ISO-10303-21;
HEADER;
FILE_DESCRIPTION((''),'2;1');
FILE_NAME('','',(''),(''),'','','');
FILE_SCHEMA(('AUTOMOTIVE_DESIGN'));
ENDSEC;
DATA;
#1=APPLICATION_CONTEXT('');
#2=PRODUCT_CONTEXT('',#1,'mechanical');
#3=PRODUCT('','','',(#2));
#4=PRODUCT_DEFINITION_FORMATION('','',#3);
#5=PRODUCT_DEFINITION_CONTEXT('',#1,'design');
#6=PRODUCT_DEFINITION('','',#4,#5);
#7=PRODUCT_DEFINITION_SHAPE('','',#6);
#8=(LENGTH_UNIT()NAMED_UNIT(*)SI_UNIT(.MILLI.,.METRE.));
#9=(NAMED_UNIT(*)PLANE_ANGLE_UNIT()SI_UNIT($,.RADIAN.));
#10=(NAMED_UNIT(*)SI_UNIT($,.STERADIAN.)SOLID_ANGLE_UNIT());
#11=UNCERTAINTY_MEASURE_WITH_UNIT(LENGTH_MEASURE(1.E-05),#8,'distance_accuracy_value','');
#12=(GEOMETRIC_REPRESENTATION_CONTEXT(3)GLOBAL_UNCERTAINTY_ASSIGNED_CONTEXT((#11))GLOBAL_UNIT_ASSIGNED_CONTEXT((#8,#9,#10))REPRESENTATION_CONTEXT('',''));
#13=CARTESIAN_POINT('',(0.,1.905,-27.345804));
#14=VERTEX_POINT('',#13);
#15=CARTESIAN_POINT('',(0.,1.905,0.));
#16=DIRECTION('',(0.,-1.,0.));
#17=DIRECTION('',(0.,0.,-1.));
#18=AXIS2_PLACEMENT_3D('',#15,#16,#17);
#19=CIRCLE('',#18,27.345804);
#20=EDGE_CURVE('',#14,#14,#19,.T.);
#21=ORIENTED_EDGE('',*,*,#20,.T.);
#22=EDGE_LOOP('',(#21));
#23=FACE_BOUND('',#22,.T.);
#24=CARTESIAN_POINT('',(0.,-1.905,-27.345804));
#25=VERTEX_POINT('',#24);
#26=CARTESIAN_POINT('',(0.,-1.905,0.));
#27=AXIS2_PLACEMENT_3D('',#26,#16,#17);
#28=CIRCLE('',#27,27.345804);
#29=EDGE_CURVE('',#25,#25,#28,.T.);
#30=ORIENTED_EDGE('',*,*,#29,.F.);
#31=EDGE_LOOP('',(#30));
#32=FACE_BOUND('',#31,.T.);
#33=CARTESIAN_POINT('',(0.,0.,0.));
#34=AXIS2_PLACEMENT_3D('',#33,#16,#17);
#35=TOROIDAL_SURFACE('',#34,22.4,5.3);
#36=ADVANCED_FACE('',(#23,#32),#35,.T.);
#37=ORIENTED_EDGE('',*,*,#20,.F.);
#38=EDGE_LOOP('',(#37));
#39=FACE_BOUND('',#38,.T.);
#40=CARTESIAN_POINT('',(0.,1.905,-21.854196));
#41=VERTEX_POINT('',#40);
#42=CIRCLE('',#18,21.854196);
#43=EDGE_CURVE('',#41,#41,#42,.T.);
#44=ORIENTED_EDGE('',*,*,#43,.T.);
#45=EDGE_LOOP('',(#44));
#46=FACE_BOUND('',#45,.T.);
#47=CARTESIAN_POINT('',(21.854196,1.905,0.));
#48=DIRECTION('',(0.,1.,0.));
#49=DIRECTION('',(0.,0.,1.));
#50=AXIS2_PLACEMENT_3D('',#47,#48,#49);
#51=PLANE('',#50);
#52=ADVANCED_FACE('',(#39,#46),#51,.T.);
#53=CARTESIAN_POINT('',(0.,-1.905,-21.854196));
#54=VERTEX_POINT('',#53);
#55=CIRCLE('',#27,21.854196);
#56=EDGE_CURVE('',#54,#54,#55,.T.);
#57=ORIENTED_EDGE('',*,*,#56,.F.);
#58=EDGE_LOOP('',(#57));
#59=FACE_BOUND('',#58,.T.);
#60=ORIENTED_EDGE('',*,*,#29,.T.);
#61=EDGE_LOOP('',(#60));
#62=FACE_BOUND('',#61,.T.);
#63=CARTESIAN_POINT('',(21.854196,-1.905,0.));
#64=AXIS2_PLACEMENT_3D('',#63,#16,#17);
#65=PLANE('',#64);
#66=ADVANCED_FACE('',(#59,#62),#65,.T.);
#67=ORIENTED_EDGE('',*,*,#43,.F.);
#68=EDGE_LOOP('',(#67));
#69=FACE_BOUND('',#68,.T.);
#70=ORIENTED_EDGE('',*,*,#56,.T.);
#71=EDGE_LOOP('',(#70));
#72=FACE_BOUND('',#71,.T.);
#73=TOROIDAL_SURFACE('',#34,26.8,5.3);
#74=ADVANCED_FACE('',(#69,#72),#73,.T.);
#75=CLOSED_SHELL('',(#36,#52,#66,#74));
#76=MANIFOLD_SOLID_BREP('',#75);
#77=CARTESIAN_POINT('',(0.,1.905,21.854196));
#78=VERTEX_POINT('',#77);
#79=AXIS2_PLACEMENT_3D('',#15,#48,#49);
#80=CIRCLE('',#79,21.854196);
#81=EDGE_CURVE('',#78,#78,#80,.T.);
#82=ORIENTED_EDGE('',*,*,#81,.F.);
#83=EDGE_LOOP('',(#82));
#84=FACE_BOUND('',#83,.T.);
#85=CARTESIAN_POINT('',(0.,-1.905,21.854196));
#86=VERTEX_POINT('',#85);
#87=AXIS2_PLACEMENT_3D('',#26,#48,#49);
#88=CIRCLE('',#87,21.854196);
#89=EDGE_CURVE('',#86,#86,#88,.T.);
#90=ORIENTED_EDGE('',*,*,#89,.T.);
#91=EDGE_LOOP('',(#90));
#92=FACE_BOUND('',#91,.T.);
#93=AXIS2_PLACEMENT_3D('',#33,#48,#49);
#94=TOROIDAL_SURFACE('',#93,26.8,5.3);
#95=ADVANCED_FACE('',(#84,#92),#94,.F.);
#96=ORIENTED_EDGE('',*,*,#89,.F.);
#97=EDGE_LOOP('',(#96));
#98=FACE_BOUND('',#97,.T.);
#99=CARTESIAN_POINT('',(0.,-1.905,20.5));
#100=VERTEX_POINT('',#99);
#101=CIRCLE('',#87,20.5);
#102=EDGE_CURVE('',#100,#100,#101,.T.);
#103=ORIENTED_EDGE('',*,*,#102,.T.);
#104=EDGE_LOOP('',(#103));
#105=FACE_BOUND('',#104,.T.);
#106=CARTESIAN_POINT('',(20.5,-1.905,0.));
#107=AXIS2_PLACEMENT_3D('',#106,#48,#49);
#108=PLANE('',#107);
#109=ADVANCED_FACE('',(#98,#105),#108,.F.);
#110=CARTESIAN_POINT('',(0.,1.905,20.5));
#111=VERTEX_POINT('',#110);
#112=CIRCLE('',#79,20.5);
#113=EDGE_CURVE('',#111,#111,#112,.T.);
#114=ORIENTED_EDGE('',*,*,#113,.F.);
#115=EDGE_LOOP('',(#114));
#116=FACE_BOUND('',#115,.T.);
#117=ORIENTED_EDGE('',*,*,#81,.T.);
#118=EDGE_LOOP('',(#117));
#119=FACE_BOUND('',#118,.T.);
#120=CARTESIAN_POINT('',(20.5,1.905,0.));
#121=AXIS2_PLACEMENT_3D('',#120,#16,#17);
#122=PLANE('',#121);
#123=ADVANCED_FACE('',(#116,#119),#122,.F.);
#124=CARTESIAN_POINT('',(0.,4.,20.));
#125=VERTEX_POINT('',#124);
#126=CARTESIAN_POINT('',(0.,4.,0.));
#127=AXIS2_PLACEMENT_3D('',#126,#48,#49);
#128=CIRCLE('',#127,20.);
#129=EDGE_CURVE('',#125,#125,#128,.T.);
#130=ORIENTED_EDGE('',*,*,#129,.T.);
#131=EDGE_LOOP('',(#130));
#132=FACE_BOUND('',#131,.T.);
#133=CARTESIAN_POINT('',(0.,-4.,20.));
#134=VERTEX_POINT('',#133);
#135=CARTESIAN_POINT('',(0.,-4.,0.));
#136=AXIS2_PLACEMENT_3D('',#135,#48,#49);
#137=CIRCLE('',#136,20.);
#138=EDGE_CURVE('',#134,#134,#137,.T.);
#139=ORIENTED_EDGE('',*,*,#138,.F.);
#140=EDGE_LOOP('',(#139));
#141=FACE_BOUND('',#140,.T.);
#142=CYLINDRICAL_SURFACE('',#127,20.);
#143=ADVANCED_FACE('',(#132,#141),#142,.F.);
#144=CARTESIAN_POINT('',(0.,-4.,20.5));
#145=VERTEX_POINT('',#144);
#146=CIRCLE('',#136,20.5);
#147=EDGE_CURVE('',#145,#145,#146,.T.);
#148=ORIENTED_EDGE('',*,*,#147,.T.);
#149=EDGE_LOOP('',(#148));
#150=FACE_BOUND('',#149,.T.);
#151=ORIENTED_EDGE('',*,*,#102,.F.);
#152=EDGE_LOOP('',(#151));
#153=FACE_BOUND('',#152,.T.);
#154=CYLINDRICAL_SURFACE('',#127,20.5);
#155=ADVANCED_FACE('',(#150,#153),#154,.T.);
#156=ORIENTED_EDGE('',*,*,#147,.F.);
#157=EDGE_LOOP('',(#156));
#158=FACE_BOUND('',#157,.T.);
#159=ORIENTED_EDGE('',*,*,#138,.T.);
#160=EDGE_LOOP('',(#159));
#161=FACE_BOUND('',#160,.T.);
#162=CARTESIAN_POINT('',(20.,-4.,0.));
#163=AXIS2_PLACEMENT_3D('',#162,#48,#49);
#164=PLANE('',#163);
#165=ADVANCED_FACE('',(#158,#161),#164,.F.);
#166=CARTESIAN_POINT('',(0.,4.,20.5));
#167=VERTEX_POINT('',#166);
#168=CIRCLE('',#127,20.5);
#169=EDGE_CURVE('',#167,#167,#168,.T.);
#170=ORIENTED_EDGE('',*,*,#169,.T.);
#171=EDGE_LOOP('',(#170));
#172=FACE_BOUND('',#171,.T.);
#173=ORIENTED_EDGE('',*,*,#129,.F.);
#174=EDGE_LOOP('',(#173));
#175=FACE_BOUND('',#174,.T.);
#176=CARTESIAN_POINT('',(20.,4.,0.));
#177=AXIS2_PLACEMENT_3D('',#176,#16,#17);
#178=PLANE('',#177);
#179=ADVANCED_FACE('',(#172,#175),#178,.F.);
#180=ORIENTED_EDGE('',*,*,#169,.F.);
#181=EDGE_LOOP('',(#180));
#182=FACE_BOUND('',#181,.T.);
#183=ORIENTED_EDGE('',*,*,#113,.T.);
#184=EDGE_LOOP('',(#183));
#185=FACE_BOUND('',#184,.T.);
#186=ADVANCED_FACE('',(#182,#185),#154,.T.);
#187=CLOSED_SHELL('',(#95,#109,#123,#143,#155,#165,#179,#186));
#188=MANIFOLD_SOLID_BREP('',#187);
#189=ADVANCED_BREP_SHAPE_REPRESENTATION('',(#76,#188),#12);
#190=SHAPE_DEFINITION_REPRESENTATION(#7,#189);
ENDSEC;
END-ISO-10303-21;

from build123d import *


with BuildPart() as part:
    # Sketch1 → Revolve1 (revolve)
    with BuildSketch(Plane.XY):
        with BuildLine():
            Line((20, 4), (20, -4))
            Line((20, -4), (20.5, -4))
            Line((20.5, -4), (20.5, -1.905))
            Line((20.5, -1.905), (21.854196223, -1.905))
            ThreePointArc((21.854196223, -1.905), (21.5, 0), (21.854196223, 1.905))
            Line((21.854196223, 1.905), (20.5, 1.905))
            Line((20.5, 1.905), (20.5, 4))
            Line((20.5, 4), (20, 4))
        make_face()
    revolve(axis=Axis((0, 4, 0), (0, -1, 0)))


with BuildPart() as body_2:
    # Sketch2 → Revolve2 (revolve)
    with BuildSketch(Plane.XY):
        with BuildLine():
            Line((21.854196223, 1.905), (27.345803777, 1.905))
            ThreePointArc((27.345803777, 1.905), (27.7, 0), (27.345803777, -1.905))
            Line((27.345803777, -1.905), (21.854196223, -1.905))
            ThreePointArc((21.854196223, -1.905), (21.5, 0), (21.854196223, 1.905))
        make_face()
    revolve(axis=Axis((0, -4, 0), (0, 1, 0)))


solid = Compound([part.part, body_2.part])
